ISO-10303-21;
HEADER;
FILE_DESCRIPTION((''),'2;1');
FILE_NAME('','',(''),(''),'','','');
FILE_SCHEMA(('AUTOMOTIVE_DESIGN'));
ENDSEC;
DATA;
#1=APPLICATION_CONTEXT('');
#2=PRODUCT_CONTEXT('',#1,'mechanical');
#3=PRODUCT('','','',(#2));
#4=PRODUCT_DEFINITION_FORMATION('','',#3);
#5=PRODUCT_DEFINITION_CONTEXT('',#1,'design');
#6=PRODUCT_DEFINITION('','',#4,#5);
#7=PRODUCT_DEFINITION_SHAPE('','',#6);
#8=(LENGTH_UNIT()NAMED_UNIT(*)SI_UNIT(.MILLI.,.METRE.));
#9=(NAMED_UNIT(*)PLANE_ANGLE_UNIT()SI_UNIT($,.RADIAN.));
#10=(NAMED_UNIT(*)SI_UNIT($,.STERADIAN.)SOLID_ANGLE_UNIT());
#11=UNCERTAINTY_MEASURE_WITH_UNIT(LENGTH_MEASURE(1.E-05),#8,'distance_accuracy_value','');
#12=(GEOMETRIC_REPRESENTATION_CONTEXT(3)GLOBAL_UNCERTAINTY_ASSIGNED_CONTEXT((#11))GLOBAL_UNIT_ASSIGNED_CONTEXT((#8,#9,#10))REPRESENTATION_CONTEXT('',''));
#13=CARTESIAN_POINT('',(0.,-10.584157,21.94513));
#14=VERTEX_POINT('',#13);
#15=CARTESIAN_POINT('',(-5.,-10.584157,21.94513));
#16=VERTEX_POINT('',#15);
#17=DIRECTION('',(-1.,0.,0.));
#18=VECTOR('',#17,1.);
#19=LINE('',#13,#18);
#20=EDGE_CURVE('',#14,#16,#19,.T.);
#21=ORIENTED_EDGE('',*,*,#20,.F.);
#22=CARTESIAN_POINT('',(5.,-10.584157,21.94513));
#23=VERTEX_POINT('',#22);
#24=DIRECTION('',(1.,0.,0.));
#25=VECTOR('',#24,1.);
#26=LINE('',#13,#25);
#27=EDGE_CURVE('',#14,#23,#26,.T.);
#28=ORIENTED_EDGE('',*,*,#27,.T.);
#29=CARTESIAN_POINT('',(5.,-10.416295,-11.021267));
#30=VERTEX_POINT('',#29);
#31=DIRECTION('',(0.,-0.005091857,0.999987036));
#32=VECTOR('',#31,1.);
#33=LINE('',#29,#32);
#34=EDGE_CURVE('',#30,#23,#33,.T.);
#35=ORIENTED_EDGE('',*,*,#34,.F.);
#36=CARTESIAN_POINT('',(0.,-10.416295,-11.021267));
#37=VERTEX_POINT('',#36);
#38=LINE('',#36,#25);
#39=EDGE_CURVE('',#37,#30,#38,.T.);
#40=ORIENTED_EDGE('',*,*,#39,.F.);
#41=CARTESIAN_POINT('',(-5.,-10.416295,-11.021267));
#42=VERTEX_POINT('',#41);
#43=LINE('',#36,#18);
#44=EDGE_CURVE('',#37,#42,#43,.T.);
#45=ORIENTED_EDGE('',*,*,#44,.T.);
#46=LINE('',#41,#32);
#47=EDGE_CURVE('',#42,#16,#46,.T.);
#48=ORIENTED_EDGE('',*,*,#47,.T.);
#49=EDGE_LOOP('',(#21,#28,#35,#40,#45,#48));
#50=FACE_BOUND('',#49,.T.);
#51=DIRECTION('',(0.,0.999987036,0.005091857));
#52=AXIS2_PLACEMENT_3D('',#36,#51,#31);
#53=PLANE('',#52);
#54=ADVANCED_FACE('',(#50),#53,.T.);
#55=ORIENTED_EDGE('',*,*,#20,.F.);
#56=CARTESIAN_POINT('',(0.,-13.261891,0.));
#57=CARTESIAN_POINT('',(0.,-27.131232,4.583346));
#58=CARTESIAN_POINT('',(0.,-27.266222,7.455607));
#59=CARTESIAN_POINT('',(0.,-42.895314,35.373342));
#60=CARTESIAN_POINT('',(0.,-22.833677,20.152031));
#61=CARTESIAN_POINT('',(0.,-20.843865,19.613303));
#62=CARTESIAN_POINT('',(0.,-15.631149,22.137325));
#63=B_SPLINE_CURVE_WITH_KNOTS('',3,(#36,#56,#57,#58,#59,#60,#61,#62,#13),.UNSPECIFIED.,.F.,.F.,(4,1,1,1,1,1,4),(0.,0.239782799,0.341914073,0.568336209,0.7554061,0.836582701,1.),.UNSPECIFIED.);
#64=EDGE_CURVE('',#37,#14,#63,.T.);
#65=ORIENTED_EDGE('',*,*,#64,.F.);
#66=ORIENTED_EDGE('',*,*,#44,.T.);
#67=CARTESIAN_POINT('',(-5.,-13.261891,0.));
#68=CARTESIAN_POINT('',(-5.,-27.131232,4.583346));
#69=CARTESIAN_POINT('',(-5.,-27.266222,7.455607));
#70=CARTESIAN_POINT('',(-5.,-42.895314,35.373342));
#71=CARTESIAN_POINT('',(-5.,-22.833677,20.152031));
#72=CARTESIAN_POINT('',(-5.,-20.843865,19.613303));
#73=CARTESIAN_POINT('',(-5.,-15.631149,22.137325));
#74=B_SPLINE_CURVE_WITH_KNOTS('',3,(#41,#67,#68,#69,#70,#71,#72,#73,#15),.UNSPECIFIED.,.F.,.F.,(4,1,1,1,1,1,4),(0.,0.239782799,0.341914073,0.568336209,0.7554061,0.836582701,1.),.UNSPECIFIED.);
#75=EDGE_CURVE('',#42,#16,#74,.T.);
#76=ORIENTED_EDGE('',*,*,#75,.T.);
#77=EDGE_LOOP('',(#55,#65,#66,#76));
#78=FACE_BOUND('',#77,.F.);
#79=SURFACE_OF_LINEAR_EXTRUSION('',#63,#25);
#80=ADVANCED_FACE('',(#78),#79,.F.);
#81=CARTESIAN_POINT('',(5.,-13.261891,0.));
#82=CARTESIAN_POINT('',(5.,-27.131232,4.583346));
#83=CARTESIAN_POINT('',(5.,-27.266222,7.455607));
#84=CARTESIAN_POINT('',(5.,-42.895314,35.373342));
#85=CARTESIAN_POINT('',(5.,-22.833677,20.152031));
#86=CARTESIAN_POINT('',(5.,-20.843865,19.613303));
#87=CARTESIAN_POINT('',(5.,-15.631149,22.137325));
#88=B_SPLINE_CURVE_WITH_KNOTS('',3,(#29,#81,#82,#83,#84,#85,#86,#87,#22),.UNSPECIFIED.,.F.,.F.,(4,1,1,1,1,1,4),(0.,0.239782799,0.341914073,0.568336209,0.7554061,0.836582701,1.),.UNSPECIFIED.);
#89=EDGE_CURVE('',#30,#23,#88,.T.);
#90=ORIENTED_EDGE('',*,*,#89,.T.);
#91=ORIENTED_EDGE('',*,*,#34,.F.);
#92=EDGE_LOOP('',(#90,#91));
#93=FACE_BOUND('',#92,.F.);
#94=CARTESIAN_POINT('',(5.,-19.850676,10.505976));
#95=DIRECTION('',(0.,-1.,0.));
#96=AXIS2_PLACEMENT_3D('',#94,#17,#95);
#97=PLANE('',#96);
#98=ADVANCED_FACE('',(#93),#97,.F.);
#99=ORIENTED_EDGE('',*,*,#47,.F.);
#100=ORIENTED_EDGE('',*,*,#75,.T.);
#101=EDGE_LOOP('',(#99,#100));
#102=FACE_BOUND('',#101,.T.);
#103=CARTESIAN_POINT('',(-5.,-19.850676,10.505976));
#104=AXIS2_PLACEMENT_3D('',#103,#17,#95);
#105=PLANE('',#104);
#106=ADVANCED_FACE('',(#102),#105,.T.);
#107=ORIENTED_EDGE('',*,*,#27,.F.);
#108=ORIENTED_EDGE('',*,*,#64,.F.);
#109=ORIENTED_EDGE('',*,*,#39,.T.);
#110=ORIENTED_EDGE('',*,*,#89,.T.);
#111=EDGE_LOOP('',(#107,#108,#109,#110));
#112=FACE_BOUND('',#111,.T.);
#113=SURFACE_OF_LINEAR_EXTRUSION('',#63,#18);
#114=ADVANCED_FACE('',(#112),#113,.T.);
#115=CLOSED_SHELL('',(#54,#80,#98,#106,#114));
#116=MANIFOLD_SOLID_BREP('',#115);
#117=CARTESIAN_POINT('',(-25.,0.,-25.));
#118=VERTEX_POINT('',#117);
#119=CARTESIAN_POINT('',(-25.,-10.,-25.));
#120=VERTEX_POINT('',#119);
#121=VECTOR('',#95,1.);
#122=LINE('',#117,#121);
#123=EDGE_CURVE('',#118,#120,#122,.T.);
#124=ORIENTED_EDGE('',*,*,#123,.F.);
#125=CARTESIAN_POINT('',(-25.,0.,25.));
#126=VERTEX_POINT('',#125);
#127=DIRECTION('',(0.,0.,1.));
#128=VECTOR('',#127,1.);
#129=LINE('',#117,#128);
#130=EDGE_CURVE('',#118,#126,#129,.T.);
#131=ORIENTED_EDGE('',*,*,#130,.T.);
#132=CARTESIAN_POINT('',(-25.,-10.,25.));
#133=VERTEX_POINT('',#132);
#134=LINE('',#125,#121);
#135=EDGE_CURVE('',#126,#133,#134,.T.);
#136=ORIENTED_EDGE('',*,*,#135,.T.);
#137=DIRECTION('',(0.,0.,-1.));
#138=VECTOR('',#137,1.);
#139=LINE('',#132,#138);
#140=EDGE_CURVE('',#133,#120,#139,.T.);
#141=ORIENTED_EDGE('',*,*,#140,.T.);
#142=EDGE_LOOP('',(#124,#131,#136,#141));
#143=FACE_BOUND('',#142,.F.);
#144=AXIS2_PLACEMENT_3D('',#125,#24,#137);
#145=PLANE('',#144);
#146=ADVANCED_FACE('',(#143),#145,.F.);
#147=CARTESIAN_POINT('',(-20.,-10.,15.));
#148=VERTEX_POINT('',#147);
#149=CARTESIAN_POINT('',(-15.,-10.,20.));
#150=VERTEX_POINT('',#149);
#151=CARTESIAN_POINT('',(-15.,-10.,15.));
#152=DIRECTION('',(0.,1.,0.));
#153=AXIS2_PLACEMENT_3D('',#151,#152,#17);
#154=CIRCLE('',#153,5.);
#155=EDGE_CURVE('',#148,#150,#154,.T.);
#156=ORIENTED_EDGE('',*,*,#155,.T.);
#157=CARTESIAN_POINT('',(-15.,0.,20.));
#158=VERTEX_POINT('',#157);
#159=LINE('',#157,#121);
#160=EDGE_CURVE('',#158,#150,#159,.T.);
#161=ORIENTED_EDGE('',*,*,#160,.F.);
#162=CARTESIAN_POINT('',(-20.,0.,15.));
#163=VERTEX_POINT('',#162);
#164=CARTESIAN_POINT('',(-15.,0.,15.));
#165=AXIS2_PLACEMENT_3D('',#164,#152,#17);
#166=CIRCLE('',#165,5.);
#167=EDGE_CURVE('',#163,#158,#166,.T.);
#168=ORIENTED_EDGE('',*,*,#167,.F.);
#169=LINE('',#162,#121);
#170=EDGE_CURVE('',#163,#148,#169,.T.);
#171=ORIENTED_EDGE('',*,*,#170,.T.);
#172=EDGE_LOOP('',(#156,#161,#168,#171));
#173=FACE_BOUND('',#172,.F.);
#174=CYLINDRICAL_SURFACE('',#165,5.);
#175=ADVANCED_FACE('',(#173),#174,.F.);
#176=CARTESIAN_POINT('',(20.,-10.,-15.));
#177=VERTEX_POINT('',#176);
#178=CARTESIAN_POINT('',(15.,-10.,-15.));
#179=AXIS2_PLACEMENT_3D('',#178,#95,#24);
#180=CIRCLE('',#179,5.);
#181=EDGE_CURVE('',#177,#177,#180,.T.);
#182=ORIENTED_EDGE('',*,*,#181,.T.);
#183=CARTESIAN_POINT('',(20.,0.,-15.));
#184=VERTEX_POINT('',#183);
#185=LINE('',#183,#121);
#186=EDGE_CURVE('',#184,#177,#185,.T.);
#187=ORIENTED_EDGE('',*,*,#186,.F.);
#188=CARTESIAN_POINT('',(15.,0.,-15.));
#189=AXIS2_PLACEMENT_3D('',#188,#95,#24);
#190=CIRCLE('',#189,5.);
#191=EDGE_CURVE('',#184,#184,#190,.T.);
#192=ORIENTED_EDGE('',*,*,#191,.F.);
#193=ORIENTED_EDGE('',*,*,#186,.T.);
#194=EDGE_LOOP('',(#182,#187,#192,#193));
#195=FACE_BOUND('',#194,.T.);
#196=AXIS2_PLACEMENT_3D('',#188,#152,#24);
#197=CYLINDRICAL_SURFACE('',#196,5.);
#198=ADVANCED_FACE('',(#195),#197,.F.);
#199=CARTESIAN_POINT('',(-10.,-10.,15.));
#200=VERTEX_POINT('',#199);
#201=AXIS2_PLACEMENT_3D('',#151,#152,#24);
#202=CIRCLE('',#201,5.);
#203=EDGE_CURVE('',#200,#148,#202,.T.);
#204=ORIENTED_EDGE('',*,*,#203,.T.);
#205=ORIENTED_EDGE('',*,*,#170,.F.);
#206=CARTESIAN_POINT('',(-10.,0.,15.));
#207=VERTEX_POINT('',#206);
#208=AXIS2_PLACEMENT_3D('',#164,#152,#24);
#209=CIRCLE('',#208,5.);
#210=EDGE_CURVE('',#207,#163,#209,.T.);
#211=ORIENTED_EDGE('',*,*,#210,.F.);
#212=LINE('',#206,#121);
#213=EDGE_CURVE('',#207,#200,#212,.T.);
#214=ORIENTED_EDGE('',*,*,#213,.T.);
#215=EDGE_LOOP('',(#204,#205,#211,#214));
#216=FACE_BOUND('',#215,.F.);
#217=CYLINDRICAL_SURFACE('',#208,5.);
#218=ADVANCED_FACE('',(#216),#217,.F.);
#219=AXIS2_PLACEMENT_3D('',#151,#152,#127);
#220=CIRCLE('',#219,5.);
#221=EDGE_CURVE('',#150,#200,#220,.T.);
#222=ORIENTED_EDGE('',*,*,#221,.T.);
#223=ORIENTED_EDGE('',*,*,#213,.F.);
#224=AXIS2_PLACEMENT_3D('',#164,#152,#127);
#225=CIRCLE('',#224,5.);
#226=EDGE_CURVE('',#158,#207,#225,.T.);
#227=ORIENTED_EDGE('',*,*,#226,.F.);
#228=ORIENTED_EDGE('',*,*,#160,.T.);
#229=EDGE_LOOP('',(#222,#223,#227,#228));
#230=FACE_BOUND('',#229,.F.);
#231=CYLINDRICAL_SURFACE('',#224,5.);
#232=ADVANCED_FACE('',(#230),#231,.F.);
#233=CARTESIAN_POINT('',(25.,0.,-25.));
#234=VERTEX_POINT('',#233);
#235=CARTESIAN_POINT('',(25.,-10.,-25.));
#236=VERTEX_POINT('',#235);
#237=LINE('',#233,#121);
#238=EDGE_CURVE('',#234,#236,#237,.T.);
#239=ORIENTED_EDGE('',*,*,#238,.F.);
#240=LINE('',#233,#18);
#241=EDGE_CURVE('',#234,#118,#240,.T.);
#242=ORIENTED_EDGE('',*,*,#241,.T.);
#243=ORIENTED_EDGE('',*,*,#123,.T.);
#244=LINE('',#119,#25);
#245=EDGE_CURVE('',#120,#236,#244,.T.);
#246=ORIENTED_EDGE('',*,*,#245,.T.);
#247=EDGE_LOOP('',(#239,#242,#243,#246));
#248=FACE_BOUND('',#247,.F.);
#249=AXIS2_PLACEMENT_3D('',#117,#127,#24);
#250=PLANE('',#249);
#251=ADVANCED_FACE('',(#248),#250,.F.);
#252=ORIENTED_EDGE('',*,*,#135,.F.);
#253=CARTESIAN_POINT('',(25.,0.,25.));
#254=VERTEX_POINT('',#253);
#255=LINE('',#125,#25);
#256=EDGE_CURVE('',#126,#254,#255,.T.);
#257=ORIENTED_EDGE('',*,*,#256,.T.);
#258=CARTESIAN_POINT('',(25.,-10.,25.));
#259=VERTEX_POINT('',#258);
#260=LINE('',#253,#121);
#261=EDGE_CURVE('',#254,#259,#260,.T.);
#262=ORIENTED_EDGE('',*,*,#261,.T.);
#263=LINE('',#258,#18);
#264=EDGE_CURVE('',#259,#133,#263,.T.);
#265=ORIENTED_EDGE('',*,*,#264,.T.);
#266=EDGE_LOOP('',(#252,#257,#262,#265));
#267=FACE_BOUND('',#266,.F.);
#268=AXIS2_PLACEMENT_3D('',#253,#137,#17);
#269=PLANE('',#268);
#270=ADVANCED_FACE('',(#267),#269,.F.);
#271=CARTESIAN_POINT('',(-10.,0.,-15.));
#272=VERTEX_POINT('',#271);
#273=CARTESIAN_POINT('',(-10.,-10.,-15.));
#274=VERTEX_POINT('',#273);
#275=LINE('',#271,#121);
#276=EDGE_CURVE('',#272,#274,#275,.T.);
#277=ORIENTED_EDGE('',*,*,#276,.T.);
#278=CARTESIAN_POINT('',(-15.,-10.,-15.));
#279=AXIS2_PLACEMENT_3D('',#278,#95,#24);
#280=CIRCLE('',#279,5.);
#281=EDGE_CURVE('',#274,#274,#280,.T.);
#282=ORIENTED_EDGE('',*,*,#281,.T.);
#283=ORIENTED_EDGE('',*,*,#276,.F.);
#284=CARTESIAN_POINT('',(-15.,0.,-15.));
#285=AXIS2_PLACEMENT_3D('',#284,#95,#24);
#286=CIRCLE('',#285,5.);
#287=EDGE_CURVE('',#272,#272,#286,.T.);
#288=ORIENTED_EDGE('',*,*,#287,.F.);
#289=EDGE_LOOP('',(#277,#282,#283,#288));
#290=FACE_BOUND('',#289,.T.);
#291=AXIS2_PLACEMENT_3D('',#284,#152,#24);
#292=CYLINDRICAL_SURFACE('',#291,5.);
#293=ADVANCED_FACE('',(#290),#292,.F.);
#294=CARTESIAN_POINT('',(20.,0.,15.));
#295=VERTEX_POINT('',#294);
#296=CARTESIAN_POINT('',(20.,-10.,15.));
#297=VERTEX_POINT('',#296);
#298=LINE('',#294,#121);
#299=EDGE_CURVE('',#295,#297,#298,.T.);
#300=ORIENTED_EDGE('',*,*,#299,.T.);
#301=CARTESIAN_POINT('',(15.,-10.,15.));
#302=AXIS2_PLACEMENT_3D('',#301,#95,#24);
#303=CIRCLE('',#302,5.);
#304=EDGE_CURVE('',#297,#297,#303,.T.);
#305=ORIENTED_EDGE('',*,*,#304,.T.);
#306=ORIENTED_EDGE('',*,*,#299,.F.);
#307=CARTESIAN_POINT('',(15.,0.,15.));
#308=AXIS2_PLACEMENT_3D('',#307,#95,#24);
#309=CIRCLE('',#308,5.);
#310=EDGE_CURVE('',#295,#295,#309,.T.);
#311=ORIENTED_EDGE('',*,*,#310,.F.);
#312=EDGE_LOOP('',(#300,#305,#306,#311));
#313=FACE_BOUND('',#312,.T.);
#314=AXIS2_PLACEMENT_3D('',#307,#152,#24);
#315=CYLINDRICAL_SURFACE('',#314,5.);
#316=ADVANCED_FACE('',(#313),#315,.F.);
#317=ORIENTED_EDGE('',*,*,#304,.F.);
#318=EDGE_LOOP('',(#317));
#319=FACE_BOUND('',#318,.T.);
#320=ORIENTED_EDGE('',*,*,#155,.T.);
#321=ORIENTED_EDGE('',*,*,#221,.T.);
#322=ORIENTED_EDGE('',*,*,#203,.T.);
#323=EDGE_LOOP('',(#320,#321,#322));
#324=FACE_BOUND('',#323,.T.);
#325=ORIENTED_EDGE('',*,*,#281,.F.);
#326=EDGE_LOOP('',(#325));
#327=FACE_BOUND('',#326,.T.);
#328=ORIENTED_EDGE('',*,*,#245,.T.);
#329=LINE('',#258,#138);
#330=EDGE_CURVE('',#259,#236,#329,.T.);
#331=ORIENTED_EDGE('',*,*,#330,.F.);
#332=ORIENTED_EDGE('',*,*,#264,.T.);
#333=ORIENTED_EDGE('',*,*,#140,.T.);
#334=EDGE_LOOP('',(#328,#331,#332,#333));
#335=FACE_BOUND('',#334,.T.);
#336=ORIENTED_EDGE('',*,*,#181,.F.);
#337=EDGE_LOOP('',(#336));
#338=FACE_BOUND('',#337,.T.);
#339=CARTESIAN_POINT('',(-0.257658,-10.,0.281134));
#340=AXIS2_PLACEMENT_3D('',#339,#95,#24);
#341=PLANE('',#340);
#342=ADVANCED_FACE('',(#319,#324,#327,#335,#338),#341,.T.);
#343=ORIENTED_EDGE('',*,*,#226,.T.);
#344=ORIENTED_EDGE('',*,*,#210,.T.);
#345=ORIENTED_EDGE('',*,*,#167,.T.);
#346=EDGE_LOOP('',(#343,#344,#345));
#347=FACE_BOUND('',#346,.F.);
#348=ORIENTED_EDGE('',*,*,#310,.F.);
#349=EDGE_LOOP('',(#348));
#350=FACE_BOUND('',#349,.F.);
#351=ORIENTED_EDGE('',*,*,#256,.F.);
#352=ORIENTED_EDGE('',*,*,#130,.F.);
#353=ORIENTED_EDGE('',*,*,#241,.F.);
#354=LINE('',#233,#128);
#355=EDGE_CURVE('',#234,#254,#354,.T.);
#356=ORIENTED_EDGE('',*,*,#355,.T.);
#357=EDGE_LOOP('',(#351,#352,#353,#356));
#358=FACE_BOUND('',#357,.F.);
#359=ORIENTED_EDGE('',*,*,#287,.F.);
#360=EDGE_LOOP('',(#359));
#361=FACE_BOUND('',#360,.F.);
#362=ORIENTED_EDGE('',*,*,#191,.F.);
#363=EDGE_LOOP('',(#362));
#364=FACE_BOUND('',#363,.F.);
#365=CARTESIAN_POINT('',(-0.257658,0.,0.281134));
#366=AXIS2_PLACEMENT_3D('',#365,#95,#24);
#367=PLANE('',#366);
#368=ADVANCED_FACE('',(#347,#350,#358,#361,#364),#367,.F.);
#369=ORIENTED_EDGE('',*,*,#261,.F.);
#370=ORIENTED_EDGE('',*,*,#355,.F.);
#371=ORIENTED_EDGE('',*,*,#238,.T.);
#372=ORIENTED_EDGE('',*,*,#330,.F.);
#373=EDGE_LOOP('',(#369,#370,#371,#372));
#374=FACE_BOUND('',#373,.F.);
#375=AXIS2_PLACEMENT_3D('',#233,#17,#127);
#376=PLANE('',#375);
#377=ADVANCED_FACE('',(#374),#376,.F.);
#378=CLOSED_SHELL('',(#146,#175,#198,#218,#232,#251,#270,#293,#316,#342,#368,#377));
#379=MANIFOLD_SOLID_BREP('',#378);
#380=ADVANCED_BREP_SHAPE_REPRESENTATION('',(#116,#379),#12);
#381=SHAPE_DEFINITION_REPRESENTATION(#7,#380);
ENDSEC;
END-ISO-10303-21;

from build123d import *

# Parameters (mm, degrees)
F0_R          = 5
F1_DEPTH      = 10
F2_R          = 3.1384776311
F3_DEPTH      = 10
F5_DEPTH      = 5
F5_DEPTH_BACK = 5


with BuildPart() as f1:
    # F0 (on Front) → F1 (new body)
    with BuildSketch(Plane.XZ):
        with BuildLine():
            Line((25, -25), (25, 25))
            Line((25, 25), (-15, 25))
            Line((-15, 25), (-15, 20))
            ThreePointArc((-15, 20), (-11.4644660941, 18.5355339059), (-10, 15))
            ThreePointArc((-10, 15), (-15, 10), (-20, 15))
            Line((-20, 15), (-25, 15))
            Line((-25, 15), (-25, -25))
            Line((-25, -25), (25, -25))
        make_face()
        with Locations((-15, -15)):
            Circle(F0_R, mode=Mode.SUBTRACT)
        with Locations((15, -15)):
            Circle(F0_R, mode=Mode.SUBTRACT)
        with Locations((15, 15)):
            Circle(F0_R, mode=Mode.SUBTRACT)
        with BuildLine():
            Line((-15, 20), (-15, 25))
            Line((-15, 25), (-25, 25))
            Line((-25, 25), (-25, 15))
            Line((-25, 15), (-20, 15))
            ThreePointArc((-20, 15), (-18.5355339059, 18.5355339059), (-15, 20))
        make_face()
    extrude(amount=F1_DEPTH)

    # F2
    f2_edges = [f1.edges().sort_by_distance(p)[0] for p in [
        (-25, -5, -25),
        (25, -5, -25),
        (25, -5, 25),
        (-25, -5, 25),
    ]]
    fillet(f2_edges, radius=F2_R)

    # F0 (on Front) → F3 (join)
    with BuildSketch(Plane.XZ):
        with BuildLine():
            Line((25, -25), (25, 25))
            Line((25, 25), (-15, 25))
            Line((-15, 25), (-15, 20))
            ThreePointArc((-15, 20), (-11.4644660941, 18.5355339059), (-10, 15))
            ThreePointArc((-10, 15), (-15, 10), (-20, 15))
            Line((-20, 15), (-25, 15))
            Line((-25, 15), (-25, -25))
            Line((-25, -25), (25, -25))
        make_face()
        with Locations((-15, -15)):
            Circle(F0_R, mode=Mode.SUBTRACT)
        with Locations((15, -15)):
            Circle(F0_R, mode=Mode.SUBTRACT)
        with Locations((15, 15)):
            Circle(F0_R, mode=Mode.SUBTRACT)
        with BuildLine():
            Line((-15, 20), (-15, 25))
            Line((-15, 25), (-25, 25))
            Line((-25, 25), (-25, 15))
            Line((-25, 15), (-20, 15))
            ThreePointArc((-20, 15), (-18.5355339059, 18.5355339059), (-15, 20))
        make_face()
    extrude(amount=F3_DEPTH)


with BuildPart() as f5:
    # F4 (on Right) → F5 (new body, two sides)
    with BuildSketch(Plane.YZ) as f5_sk:
        with BuildLine():
            add(Edge.make_bspline(
                [(-10.4162946145, -11.0212665027), (-13.2618909053, 0), (-27.131232152, 4.5833458723), (-27.2662219762, 7.4556073822), (-42.8953141264, 35.3733420403), (-22.8336770531, 20.1520311338), (-20.843864609, 19.613302644), (-15.6311493452, 22.137324768), (-10.5841569602, 21.94513008)],
                knots=[0, 0, 0, 0, 0.2397827993, 0.3419140727, 0.5683362086, 0.7554060995, 0.8365827011, 1, 1, 1, 1], degree=3))
            Line((-10.4162946145, -11.0212665027), (-10.5841569602, 21.94513008))
        make_face()
    extrude(amount=F5_DEPTH)
    extrude(f5_sk.sketch, amount=-F5_DEPTH_BACK)


solid = Compound([f1.part, f5.part])
